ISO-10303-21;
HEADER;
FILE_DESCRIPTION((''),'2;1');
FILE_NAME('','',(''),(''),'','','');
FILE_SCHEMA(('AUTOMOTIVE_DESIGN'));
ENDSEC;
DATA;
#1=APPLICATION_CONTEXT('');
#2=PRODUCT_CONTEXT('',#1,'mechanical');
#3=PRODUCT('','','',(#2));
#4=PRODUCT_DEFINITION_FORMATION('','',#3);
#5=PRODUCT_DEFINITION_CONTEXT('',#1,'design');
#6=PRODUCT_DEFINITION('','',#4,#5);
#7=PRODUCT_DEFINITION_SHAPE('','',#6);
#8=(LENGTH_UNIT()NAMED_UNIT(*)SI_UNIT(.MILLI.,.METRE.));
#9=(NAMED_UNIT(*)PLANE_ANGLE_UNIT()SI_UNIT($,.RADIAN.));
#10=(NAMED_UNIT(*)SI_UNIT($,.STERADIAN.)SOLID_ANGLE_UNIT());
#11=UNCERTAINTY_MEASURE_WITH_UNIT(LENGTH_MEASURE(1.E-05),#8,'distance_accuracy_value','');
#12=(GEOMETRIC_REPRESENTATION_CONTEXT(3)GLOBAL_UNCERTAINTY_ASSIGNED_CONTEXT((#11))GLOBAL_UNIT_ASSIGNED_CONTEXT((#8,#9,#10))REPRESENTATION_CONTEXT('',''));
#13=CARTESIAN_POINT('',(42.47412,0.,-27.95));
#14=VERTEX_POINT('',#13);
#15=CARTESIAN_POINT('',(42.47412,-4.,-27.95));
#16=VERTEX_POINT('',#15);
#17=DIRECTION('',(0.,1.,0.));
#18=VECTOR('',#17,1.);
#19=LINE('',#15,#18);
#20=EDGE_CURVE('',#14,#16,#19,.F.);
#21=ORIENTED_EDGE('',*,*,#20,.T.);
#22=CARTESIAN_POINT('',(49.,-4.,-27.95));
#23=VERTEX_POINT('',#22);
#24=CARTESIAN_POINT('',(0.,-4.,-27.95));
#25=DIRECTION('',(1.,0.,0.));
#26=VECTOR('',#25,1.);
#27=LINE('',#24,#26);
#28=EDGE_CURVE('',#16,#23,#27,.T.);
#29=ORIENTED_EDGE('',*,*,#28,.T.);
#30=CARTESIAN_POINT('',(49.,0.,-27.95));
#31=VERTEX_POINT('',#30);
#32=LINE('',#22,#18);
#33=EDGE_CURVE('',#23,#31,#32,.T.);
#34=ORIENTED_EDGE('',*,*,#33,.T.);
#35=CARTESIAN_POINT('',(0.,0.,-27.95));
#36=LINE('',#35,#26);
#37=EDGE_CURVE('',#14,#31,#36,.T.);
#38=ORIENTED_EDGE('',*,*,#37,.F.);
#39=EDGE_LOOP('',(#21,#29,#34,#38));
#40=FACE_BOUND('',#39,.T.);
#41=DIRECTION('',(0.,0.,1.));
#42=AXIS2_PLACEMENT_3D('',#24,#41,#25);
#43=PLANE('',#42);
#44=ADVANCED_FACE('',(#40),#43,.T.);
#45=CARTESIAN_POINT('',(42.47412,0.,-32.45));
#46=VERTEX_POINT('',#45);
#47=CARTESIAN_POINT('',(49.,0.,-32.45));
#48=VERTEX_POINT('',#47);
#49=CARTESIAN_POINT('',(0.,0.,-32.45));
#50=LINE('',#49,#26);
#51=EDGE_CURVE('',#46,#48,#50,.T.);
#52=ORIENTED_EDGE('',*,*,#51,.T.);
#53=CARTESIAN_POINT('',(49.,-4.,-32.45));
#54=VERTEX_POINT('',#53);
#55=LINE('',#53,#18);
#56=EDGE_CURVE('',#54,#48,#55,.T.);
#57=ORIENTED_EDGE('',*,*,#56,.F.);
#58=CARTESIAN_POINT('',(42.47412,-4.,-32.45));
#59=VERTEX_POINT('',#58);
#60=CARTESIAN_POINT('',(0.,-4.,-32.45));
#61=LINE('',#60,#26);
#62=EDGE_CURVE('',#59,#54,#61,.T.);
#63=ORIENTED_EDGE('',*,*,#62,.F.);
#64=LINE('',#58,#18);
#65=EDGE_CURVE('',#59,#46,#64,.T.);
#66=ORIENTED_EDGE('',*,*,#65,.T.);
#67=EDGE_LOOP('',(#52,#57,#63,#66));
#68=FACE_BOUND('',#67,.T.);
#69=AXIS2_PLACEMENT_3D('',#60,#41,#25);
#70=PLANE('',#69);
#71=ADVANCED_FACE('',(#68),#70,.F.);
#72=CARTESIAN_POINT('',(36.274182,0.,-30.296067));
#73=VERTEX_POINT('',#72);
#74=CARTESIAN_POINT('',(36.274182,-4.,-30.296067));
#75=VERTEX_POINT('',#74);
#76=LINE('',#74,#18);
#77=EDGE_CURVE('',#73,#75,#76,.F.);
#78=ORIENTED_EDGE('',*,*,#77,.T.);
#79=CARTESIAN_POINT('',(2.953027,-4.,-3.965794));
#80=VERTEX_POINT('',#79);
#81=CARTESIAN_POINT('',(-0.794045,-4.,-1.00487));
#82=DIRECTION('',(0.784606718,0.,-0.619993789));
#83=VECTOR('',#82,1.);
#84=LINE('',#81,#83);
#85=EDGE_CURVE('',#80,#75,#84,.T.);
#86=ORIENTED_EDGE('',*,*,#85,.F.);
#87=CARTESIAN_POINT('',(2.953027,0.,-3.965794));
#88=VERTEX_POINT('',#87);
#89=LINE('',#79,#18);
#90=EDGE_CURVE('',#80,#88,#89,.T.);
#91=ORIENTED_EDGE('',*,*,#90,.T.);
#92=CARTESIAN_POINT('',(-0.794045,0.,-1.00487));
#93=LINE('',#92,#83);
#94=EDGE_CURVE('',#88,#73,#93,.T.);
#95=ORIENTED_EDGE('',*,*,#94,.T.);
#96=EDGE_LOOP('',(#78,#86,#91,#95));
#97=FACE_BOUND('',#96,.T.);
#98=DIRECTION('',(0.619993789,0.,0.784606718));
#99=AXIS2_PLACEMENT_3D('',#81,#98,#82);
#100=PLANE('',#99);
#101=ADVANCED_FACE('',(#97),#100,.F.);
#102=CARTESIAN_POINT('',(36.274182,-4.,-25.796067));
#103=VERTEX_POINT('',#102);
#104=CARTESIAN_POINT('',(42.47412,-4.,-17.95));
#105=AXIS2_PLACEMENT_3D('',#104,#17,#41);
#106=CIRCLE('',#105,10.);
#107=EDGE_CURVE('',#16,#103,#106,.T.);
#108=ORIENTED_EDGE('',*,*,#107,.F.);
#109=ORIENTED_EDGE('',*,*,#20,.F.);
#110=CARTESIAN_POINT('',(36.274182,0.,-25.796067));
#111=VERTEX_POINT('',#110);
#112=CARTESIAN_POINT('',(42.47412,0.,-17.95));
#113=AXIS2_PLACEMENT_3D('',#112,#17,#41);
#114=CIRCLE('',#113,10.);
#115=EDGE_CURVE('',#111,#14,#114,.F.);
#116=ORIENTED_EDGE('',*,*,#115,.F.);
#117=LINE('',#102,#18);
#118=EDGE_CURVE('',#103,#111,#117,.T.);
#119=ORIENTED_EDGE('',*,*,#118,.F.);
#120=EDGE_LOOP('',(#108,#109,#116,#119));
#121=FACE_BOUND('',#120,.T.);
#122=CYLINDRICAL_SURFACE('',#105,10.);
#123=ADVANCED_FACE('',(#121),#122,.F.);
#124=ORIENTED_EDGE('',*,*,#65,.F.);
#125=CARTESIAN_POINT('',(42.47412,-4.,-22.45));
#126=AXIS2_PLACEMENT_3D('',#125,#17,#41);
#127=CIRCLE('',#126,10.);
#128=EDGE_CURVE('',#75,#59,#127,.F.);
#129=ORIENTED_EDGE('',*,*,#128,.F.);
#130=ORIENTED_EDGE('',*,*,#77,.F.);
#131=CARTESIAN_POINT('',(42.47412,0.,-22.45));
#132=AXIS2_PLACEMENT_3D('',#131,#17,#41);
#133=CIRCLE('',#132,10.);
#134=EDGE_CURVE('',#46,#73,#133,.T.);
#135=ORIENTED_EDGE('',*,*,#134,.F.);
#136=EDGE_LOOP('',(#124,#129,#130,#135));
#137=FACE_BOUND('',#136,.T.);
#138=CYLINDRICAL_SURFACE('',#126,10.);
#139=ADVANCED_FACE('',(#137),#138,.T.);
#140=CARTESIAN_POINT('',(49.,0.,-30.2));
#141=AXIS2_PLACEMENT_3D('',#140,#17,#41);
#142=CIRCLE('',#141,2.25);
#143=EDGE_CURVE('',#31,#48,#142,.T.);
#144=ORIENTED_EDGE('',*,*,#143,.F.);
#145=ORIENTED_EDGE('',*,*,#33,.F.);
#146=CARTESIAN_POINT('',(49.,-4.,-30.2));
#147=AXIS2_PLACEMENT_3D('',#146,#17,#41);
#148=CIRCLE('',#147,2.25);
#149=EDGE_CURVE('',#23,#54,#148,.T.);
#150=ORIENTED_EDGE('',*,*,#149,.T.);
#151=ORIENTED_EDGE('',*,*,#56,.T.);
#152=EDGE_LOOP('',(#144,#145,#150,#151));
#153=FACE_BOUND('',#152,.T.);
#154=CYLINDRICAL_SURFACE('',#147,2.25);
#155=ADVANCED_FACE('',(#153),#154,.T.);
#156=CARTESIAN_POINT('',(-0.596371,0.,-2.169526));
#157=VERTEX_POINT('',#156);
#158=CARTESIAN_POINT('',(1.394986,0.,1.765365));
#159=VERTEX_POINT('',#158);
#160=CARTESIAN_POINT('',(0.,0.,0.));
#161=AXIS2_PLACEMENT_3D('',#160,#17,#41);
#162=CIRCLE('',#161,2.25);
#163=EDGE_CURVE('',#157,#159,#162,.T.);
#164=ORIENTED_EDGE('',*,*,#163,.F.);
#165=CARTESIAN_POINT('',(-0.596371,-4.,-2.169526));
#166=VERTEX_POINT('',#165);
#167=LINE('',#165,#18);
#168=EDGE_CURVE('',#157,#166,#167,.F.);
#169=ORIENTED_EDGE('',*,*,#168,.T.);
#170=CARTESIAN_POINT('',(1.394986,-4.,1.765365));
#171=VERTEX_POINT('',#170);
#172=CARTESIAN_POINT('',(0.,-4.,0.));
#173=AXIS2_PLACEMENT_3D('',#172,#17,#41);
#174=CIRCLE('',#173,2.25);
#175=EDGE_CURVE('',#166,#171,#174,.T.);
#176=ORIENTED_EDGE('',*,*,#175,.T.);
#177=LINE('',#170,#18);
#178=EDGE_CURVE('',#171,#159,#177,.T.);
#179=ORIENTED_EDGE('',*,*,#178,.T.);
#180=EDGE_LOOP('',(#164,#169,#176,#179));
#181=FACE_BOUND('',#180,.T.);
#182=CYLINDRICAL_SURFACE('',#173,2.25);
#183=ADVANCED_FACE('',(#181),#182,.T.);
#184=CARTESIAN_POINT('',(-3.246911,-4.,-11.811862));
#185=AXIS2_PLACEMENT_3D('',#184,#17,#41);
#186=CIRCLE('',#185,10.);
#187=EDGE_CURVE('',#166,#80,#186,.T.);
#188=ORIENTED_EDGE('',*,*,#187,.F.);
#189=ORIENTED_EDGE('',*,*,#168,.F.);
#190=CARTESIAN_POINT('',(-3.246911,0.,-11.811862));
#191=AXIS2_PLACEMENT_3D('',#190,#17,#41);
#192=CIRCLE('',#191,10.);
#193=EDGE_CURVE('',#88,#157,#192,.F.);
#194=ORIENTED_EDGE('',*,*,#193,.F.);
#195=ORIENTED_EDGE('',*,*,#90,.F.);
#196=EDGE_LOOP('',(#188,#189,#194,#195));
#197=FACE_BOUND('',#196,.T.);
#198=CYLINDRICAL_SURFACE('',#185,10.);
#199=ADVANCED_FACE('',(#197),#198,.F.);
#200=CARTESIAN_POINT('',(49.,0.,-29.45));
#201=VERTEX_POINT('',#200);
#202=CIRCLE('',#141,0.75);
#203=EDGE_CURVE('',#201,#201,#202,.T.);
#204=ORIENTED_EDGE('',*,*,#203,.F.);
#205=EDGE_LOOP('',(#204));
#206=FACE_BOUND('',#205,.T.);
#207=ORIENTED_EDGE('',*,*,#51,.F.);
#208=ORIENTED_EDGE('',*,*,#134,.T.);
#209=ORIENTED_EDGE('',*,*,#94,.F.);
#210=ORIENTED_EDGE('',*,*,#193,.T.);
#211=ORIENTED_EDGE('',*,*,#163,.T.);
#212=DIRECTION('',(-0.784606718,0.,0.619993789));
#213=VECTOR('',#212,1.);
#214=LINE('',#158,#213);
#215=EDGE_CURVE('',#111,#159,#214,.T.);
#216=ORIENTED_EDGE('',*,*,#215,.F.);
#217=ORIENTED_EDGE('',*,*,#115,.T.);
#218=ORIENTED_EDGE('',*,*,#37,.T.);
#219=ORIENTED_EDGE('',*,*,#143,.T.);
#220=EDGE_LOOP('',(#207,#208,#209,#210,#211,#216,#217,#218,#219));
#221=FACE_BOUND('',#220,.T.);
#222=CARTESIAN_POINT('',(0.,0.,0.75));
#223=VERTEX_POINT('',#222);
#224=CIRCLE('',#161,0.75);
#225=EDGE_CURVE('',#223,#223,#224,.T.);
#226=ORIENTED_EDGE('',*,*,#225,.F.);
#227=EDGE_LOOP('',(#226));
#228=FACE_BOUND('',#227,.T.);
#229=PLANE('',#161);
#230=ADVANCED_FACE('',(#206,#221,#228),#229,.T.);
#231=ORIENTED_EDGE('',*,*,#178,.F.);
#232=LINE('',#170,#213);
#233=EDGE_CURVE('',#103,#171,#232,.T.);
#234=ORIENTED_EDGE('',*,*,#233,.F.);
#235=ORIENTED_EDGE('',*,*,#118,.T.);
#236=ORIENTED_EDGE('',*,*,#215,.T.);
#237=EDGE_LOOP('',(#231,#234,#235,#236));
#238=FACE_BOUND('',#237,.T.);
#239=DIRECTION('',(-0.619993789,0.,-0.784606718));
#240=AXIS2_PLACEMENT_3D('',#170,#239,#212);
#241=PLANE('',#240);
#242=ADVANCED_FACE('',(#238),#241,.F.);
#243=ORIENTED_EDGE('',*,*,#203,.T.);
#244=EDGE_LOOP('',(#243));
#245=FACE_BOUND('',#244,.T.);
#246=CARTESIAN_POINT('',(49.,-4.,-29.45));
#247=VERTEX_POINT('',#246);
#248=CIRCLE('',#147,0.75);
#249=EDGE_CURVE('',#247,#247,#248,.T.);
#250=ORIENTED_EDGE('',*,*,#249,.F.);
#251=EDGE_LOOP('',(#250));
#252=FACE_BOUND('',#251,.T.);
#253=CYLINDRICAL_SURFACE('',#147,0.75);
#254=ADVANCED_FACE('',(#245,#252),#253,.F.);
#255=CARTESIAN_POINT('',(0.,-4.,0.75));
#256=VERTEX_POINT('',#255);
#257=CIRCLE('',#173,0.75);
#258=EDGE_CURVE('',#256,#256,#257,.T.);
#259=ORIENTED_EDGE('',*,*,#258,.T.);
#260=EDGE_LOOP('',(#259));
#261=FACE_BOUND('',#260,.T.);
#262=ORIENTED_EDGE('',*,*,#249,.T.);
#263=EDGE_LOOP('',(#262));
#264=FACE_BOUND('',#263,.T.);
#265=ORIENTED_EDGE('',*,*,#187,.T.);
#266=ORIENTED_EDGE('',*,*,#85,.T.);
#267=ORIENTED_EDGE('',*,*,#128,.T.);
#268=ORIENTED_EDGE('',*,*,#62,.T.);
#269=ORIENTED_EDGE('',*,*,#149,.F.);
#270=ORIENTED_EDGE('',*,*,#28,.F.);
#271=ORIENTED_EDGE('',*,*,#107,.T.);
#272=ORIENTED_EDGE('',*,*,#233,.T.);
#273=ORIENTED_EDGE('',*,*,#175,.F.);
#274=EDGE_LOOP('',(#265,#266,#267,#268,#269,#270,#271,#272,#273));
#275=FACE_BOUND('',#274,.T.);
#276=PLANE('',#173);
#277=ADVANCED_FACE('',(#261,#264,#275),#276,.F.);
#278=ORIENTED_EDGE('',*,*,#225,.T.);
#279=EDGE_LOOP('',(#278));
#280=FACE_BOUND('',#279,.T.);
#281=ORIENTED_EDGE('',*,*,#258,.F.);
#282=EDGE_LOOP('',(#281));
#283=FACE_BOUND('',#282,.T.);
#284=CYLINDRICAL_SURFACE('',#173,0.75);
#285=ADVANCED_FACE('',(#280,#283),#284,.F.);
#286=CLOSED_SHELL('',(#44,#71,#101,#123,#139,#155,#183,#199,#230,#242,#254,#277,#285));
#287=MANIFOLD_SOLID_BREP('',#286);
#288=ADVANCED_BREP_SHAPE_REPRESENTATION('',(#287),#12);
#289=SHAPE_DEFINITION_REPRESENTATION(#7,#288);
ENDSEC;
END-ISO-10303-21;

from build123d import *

# Parameters (mm, degrees)
SKETCH1_R           = 0.75
BOSS_EXTRUDE1_DEPTH = 4
FILLET1_R           = 10


with BuildPart() as part:
    # Sketch1 → Boss-Extrude1 (new body)
    with BuildSketch(Plane(origin=(0, 0, 0), x_dir=(1, 0, 0), z_dir=(0, 1, 0))):
        with BuildLine():
            Line((49, 32.45), (39, 32.45))
            Line((39, 32.45), (0.6574204, 2.151812821))
            ThreePointArc((0.6574204, 2.151812821), (-2.211145355, -0.416336667), (1.394986025, -1.765365115))
            Line((1.394986025, -1.765365115), (39, 27.95))
            Line((39, 27.95), (49, 27.95))
            ThreePointArc((49, 27.95), (51.25, 30.2), (49, 32.45))
        make_face()
        with Locations(Location((49, 30.2, 0), (0, 0, 270))):
            Circle(SKETCH1_R, mode=Mode.SUBTRACT)
        with Locations(Location((0, 0, 0), (0, 0, 270))):
            Circle(SKETCH1_R, mode=Mode.SUBTRACT)
    extrude(amount=-BOSS_EXTRUDE1_DEPTH)

    # Fillet1
    fillet1_edges = [part.edges().sort_by_distance(p)[0] for p in [
        (39, -2, -27.95),
        (0.6574204, -2, -2.151812821),
        (39, -2, -32.45),
    ]]
    fillet(fillet1_edges, radius=FILLET1_R)


solid = part.part
